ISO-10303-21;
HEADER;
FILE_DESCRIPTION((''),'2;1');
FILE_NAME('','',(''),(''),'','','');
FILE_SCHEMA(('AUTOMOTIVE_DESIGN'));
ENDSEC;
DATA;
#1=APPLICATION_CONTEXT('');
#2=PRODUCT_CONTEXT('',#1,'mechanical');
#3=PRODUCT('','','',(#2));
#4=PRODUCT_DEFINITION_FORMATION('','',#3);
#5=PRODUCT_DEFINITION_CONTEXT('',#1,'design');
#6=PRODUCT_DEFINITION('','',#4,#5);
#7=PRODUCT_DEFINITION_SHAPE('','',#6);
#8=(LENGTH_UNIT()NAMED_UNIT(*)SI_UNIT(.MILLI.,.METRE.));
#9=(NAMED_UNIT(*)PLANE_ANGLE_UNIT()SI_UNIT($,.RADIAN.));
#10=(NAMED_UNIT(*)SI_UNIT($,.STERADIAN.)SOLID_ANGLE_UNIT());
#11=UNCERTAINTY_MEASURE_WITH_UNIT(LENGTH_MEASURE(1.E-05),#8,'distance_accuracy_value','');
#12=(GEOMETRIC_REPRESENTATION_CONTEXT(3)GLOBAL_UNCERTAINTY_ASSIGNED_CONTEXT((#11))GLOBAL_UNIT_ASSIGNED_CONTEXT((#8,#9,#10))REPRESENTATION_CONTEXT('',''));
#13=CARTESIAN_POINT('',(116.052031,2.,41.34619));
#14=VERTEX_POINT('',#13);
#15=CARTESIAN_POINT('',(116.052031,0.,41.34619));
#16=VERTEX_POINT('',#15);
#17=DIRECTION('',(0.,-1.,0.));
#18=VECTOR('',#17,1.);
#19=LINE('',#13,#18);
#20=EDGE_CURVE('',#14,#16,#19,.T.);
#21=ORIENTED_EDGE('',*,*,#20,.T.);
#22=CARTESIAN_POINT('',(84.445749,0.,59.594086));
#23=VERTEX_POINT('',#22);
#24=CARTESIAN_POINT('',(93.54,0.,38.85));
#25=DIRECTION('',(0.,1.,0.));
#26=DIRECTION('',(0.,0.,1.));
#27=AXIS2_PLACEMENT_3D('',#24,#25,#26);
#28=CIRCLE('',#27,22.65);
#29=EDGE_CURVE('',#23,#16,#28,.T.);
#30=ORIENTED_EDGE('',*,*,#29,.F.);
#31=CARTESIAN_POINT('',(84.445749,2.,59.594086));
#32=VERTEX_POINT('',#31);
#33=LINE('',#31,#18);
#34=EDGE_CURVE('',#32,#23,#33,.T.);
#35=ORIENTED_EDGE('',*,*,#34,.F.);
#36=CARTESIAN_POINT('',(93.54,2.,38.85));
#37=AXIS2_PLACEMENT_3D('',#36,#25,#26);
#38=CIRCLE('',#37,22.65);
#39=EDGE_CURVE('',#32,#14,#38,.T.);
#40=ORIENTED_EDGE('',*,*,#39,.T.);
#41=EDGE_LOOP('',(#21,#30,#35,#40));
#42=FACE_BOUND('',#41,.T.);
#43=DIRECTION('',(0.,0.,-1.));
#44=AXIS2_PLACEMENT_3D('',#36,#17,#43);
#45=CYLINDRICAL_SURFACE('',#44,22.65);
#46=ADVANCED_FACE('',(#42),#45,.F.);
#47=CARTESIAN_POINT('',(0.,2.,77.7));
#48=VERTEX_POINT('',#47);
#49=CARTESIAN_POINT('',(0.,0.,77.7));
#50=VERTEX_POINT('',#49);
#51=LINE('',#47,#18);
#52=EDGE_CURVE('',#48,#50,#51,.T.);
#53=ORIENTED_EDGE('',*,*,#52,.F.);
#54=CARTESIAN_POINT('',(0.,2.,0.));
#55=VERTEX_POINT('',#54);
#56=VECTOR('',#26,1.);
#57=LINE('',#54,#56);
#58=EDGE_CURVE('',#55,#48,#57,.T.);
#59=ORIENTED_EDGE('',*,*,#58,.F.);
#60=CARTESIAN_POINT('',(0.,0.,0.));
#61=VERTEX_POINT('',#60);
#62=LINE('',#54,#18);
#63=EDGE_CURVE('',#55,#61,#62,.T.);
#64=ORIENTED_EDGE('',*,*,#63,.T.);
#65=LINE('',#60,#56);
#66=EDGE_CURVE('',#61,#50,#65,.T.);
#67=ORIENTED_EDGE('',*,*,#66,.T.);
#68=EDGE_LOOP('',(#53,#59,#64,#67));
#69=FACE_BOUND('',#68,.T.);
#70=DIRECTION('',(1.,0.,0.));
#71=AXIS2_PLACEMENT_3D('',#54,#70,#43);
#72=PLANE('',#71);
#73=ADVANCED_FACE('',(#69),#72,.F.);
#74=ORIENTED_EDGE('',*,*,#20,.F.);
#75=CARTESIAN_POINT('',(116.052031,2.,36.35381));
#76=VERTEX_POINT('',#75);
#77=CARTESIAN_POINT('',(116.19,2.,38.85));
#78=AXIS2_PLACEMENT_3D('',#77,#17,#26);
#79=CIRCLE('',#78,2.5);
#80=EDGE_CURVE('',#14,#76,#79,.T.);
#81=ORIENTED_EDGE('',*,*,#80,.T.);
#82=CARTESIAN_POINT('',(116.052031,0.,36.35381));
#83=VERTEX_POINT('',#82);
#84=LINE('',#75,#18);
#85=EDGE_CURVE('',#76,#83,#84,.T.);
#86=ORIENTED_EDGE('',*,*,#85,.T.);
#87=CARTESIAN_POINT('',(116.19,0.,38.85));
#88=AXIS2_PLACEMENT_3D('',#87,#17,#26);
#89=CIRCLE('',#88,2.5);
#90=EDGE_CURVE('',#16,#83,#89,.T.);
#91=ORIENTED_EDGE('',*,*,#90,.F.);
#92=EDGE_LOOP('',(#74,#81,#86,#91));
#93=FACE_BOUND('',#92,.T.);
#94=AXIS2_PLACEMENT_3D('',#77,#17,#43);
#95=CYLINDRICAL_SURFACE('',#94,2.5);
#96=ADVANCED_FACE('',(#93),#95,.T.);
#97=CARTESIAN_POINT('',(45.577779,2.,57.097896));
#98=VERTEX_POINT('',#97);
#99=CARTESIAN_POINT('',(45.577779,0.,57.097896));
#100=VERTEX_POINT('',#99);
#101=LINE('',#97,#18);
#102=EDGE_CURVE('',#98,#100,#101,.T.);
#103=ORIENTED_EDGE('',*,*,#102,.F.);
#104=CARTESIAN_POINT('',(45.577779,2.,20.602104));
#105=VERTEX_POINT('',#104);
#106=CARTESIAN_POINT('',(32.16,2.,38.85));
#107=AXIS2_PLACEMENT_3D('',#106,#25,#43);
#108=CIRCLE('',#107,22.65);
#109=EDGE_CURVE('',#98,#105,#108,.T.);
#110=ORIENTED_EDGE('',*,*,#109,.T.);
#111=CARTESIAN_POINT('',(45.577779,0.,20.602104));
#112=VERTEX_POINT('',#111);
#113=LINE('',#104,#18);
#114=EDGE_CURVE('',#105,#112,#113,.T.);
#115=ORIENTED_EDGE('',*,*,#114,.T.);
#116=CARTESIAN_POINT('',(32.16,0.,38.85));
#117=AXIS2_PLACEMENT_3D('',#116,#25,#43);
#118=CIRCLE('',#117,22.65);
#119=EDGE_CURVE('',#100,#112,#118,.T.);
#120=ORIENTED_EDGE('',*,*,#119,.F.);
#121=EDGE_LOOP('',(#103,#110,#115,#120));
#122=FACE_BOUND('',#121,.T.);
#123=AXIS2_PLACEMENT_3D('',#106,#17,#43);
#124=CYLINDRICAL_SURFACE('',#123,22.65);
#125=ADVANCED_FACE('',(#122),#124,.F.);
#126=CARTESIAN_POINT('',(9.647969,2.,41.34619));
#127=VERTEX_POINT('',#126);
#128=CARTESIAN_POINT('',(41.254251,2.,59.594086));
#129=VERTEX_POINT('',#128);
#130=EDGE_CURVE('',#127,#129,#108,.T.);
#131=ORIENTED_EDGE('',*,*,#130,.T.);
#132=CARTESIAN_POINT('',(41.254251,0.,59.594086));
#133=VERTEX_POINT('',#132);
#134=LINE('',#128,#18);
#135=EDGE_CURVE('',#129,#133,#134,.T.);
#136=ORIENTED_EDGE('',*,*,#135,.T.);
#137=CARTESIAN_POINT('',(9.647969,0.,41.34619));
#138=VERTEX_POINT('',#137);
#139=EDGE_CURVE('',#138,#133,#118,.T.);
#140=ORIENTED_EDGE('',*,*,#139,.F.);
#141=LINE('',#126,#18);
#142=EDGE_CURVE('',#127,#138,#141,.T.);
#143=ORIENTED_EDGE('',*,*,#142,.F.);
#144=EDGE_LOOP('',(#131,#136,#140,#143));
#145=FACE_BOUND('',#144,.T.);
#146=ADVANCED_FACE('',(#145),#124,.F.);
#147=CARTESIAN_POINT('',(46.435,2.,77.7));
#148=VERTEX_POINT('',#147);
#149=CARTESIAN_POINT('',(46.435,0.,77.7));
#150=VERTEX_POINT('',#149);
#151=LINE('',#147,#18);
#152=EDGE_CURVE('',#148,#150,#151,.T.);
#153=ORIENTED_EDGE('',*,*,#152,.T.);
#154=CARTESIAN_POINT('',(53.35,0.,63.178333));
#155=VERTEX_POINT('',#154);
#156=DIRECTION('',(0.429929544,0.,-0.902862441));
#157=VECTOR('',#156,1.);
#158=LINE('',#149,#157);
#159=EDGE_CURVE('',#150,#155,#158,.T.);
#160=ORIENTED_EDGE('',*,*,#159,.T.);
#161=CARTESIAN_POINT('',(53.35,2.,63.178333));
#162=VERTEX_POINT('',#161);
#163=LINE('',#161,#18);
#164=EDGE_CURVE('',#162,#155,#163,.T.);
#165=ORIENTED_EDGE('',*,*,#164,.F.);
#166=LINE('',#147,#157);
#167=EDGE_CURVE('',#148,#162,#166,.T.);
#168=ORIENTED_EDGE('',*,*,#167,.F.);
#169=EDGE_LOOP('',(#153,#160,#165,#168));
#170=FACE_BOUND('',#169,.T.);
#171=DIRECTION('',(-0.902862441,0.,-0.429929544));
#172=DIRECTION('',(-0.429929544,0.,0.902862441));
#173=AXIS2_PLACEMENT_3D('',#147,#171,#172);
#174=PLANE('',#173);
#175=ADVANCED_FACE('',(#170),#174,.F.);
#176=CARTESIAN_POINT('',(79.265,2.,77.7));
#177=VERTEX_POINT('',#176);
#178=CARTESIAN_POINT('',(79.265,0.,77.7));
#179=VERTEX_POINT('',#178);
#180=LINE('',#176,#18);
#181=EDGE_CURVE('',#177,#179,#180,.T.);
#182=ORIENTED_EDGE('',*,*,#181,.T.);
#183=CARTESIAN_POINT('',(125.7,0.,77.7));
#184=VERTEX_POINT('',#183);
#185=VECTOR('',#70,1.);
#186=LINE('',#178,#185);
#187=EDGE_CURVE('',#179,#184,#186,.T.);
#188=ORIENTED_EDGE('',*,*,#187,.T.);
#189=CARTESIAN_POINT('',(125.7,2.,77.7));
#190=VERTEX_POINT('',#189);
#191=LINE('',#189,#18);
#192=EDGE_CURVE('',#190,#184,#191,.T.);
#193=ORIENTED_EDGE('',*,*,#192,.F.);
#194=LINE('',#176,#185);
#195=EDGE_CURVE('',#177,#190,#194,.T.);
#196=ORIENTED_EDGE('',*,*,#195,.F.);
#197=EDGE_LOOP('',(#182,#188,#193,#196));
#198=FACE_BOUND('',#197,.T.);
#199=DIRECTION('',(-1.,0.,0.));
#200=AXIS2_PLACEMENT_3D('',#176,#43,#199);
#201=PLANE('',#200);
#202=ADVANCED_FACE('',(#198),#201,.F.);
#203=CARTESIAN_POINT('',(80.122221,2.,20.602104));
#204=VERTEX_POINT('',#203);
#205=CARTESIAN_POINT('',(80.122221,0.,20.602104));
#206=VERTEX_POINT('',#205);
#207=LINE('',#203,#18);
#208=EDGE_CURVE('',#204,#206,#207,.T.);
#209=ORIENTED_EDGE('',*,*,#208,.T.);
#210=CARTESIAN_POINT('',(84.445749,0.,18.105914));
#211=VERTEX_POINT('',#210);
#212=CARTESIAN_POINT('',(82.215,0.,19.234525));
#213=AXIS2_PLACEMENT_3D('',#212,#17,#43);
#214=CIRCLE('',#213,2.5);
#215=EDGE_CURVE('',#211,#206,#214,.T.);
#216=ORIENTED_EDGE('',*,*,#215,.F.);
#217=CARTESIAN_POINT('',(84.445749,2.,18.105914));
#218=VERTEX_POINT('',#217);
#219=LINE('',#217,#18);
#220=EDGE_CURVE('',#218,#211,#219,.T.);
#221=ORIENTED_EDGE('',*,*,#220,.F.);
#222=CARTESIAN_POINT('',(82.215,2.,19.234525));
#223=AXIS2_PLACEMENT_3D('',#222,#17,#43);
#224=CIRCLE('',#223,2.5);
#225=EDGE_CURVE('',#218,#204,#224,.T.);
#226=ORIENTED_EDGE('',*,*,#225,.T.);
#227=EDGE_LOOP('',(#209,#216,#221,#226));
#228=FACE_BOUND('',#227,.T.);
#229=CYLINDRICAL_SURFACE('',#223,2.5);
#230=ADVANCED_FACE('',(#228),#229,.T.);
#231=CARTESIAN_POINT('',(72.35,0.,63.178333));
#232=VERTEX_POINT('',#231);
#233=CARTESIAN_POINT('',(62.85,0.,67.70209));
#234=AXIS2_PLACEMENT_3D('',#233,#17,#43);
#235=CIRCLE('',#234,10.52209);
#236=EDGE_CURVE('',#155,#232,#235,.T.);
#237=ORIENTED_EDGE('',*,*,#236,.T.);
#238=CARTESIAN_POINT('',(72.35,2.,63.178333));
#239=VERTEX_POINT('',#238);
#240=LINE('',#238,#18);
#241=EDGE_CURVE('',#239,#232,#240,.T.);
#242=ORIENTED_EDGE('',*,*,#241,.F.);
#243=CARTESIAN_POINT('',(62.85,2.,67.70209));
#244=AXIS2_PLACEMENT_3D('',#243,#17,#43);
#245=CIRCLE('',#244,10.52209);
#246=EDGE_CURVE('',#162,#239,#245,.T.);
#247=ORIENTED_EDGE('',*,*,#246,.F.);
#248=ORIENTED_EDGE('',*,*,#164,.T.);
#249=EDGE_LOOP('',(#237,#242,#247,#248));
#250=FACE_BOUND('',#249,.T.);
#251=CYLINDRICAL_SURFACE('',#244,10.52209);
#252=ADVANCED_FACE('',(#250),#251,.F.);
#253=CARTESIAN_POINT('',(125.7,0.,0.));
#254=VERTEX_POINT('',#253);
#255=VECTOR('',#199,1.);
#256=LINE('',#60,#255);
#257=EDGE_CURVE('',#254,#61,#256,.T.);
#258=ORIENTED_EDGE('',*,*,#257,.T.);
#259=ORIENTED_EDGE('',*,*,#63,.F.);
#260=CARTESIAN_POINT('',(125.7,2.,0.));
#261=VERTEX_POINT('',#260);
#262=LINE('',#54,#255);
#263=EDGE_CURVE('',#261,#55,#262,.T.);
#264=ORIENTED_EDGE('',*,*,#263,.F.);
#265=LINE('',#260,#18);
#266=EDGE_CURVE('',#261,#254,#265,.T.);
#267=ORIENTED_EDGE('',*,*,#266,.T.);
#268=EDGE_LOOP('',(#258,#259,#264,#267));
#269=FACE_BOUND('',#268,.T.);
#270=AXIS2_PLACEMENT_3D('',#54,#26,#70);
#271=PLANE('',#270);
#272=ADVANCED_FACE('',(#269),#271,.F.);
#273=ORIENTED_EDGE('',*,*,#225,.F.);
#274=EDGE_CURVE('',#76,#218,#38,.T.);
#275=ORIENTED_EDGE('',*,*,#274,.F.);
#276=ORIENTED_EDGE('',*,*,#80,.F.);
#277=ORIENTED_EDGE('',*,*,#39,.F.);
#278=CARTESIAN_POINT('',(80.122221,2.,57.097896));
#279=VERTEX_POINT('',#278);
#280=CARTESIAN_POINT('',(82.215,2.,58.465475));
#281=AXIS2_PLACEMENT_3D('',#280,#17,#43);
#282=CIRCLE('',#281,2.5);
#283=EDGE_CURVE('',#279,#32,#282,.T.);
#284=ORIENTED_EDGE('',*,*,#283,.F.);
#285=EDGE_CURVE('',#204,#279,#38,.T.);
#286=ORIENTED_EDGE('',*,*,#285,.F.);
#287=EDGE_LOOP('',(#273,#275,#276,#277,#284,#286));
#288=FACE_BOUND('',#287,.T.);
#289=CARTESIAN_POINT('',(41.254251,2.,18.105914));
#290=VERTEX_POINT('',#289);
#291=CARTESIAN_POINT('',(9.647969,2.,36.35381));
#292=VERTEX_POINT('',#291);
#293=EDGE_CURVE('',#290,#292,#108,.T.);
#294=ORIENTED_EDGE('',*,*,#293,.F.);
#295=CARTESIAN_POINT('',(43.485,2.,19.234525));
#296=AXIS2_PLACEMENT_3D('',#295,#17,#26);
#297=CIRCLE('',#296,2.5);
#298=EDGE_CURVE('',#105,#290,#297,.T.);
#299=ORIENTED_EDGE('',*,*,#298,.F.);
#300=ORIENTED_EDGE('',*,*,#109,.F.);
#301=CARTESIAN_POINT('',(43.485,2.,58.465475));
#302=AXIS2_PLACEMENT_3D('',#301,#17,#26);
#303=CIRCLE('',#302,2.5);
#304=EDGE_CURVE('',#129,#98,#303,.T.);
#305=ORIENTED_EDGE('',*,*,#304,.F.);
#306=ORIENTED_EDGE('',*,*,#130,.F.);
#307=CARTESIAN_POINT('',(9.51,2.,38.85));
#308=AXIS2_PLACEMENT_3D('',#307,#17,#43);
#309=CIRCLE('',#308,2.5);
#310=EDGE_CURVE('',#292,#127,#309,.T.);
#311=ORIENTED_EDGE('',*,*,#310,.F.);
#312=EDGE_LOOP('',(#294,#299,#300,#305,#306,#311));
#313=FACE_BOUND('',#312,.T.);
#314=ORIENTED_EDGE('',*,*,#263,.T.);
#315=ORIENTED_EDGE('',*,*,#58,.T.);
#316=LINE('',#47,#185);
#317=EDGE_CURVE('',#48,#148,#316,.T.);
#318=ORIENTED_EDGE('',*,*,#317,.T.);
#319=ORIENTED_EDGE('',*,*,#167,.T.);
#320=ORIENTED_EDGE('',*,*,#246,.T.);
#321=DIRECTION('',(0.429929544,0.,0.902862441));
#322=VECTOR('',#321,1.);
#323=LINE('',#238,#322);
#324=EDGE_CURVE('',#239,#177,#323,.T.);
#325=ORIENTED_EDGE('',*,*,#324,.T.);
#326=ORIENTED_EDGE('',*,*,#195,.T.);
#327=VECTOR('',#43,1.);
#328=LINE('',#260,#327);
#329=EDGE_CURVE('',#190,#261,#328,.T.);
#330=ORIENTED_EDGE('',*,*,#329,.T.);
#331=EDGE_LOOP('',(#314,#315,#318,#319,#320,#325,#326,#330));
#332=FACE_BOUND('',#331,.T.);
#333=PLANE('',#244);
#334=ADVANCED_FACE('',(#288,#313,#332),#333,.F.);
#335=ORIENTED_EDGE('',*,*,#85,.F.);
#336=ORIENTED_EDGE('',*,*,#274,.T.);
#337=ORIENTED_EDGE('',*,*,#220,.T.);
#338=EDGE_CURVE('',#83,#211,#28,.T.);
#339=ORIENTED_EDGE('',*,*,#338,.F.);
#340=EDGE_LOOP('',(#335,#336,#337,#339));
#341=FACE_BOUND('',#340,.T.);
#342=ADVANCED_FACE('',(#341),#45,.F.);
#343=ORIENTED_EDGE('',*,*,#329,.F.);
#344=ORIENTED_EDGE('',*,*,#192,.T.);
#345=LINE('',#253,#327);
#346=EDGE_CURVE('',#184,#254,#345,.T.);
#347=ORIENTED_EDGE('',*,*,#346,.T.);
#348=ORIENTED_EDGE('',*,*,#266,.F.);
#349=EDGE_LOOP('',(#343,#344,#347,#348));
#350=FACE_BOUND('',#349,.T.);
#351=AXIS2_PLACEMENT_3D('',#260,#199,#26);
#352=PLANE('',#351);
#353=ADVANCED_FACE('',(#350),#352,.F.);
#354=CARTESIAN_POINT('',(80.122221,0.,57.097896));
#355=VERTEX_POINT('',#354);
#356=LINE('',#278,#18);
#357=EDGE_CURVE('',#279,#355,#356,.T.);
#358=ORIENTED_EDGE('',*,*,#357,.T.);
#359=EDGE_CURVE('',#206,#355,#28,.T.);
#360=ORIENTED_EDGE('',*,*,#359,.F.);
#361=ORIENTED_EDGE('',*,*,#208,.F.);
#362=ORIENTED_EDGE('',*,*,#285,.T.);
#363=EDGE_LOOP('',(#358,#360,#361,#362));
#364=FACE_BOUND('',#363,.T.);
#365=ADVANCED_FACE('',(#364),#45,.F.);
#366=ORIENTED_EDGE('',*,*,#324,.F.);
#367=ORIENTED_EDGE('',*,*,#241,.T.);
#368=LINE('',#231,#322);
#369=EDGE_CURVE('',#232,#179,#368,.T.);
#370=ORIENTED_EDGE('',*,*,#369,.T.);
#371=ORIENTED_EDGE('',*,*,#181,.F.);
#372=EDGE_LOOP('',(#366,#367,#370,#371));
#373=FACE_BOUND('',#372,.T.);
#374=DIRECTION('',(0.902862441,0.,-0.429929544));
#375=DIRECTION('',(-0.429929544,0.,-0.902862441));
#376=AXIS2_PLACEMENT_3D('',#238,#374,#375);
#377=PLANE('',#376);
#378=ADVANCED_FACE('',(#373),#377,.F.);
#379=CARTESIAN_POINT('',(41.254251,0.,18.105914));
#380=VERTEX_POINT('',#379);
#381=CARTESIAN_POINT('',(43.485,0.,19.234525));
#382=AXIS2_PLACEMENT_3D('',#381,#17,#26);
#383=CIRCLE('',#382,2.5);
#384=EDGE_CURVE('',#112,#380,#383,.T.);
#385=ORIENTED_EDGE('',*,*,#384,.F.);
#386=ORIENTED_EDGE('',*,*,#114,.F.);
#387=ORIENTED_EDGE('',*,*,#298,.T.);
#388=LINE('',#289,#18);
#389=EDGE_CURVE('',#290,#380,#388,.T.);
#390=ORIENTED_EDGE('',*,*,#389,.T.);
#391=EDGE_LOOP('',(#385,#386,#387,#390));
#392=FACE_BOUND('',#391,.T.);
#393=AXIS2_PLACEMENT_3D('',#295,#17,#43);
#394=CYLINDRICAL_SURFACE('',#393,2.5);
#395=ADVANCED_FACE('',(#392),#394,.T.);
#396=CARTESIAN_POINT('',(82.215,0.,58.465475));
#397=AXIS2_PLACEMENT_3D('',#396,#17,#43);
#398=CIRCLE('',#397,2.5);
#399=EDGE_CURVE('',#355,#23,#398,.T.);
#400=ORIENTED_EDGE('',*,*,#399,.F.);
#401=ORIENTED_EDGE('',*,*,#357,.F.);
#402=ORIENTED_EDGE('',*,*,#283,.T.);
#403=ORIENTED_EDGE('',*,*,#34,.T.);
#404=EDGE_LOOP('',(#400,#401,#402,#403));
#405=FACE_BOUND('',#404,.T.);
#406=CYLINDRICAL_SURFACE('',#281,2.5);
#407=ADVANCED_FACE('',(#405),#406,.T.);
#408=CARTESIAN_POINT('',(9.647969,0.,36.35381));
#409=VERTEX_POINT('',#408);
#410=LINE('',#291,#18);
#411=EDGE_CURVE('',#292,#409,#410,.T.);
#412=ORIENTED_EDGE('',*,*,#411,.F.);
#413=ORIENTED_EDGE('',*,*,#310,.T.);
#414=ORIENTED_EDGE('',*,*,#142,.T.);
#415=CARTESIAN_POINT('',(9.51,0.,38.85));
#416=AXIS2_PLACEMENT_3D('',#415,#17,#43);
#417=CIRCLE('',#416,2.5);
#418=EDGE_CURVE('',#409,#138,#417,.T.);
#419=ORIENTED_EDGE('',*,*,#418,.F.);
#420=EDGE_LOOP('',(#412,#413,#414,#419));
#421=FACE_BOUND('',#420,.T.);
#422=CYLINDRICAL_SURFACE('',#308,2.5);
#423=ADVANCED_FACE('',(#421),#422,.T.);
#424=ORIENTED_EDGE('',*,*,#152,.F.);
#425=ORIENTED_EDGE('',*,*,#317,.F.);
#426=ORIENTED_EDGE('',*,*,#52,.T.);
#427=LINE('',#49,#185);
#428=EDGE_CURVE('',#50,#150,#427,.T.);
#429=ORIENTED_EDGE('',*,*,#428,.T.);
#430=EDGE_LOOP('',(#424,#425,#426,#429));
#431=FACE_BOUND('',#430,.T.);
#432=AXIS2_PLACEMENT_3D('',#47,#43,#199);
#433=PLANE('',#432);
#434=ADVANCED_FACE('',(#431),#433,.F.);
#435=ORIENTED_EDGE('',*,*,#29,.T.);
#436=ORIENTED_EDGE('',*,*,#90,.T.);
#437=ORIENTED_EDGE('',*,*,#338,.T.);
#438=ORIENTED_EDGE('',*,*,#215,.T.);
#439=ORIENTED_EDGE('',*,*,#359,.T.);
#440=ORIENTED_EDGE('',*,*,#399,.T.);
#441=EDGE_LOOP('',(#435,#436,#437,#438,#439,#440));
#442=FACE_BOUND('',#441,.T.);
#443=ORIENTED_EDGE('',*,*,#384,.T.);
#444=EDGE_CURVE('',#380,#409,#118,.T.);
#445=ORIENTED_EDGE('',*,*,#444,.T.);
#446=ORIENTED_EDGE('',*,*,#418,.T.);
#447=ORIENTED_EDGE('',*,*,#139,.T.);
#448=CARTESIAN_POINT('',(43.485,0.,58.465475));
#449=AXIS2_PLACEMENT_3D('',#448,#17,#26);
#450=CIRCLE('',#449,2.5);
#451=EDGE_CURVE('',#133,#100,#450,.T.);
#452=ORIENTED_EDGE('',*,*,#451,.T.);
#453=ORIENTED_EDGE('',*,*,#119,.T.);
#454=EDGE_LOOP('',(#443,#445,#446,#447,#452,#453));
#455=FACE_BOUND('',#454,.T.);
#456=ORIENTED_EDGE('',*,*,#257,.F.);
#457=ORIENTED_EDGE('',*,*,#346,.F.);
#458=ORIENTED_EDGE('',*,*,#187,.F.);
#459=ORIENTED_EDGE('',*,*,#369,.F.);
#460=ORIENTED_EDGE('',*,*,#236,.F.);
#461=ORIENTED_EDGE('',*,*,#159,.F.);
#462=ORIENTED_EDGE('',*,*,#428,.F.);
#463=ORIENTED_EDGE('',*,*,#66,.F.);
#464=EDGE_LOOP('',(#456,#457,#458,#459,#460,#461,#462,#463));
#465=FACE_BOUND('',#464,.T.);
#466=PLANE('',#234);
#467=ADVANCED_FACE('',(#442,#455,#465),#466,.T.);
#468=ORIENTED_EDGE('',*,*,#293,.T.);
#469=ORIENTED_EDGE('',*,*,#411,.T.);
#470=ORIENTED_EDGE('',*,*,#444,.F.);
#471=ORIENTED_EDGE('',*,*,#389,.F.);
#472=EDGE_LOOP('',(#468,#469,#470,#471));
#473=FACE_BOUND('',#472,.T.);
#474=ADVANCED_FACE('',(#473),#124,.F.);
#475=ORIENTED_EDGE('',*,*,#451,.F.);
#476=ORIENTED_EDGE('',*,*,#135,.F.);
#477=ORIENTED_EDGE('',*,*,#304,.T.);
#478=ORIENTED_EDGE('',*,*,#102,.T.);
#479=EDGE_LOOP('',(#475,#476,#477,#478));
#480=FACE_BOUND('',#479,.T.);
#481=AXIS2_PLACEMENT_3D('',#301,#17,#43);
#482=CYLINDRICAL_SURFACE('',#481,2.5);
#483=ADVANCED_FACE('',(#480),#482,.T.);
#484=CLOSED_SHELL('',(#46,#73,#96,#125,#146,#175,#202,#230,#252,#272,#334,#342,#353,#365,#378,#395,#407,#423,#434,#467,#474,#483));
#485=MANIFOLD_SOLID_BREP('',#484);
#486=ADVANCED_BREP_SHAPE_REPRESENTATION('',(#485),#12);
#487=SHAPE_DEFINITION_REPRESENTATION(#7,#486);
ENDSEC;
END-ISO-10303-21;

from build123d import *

# Parameters (mm, degrees)
EXTRUDE_1_DEPTH = 2


with BuildPart() as part:
    # 草图1 → 凸台-拉伸1 (new body)
    with BuildSketch(Plane(origin=(0, 0, 0), x_dir=(1, 0, 0), z_dir=(0, 1, 0))):
        with BuildLine():
            Line((0, 0), (125.7, 0))
            Line((125.7, 0), (125.7, -77.7))
            Line((125.7, -77.7), (79.265, -77.7))
            Line((79.265, -77.7), (72.35, -63.178332735))
            ThreePointArc((72.35, -63.178332735), (62.85, -57.18), (53.35, -63.178332735))
            Line((53.35, -63.178332735), (46.435, -77.7))
            Line((46.435, -77.7), (0, -77.7))
            Line((0, -77.7), (0, 0))
        make_face()
        with BuildLine():
            ThreePointArc((9.647969095, -36.353809997), (20.835, -19.234524604), (41.254251498, -18.105914344))
            ThreePointArc((41.254251498, -18.105914344), (42.235, -21.399588114), (45.577779407, -20.602104347))
            ThreePointArc((45.577779407, -20.602104347), (54.81, -38.85), (45.577779407, -57.097895653))
            ThreePointArc((45.577779407, -57.097895653), (42.235, -56.300411886), (41.254251498, -59.594085656))
            ThreePointArc((41.254251498, -59.594085656), (20.835, -58.465475396), (9.647969095, -41.346190003))
            ThreePointArc((9.647969095, -41.346190003), (12.01, -38.85), (9.647969095, -36.353809997))
        make_face(mode=Mode.SUBTRACT)
        with BuildLine():
            ThreePointArc((80.122220593, -57.097895653), (83.465, -56.300411886), (84.445748502, -59.594085656))
            ThreePointArc((84.445748502, -59.594085656), (104.865, -58.465475396), (116.052030905, -41.346190003))
            ThreePointArc((116.052030905, -41.346190003), (113.69, -38.85), (116.052030905, -36.353809997))
            ThreePointArc((116.052030905, -36.353809997), (104.865, -19.234524604), (84.445748502, -18.105914344))
            ThreePointArc((84.445748502, -18.105914344), (83.465, -21.399588114), (80.122220593, -20.602104347))
            ThreePointArc((80.122220593, -20.602104347), (70.89, -38.85), (80.122220593, -57.097895653))
        make_face(mode=Mode.SUBTRACT)
    extrude(amount=EXTRUDE_1_DEPTH)


solid = part.part
